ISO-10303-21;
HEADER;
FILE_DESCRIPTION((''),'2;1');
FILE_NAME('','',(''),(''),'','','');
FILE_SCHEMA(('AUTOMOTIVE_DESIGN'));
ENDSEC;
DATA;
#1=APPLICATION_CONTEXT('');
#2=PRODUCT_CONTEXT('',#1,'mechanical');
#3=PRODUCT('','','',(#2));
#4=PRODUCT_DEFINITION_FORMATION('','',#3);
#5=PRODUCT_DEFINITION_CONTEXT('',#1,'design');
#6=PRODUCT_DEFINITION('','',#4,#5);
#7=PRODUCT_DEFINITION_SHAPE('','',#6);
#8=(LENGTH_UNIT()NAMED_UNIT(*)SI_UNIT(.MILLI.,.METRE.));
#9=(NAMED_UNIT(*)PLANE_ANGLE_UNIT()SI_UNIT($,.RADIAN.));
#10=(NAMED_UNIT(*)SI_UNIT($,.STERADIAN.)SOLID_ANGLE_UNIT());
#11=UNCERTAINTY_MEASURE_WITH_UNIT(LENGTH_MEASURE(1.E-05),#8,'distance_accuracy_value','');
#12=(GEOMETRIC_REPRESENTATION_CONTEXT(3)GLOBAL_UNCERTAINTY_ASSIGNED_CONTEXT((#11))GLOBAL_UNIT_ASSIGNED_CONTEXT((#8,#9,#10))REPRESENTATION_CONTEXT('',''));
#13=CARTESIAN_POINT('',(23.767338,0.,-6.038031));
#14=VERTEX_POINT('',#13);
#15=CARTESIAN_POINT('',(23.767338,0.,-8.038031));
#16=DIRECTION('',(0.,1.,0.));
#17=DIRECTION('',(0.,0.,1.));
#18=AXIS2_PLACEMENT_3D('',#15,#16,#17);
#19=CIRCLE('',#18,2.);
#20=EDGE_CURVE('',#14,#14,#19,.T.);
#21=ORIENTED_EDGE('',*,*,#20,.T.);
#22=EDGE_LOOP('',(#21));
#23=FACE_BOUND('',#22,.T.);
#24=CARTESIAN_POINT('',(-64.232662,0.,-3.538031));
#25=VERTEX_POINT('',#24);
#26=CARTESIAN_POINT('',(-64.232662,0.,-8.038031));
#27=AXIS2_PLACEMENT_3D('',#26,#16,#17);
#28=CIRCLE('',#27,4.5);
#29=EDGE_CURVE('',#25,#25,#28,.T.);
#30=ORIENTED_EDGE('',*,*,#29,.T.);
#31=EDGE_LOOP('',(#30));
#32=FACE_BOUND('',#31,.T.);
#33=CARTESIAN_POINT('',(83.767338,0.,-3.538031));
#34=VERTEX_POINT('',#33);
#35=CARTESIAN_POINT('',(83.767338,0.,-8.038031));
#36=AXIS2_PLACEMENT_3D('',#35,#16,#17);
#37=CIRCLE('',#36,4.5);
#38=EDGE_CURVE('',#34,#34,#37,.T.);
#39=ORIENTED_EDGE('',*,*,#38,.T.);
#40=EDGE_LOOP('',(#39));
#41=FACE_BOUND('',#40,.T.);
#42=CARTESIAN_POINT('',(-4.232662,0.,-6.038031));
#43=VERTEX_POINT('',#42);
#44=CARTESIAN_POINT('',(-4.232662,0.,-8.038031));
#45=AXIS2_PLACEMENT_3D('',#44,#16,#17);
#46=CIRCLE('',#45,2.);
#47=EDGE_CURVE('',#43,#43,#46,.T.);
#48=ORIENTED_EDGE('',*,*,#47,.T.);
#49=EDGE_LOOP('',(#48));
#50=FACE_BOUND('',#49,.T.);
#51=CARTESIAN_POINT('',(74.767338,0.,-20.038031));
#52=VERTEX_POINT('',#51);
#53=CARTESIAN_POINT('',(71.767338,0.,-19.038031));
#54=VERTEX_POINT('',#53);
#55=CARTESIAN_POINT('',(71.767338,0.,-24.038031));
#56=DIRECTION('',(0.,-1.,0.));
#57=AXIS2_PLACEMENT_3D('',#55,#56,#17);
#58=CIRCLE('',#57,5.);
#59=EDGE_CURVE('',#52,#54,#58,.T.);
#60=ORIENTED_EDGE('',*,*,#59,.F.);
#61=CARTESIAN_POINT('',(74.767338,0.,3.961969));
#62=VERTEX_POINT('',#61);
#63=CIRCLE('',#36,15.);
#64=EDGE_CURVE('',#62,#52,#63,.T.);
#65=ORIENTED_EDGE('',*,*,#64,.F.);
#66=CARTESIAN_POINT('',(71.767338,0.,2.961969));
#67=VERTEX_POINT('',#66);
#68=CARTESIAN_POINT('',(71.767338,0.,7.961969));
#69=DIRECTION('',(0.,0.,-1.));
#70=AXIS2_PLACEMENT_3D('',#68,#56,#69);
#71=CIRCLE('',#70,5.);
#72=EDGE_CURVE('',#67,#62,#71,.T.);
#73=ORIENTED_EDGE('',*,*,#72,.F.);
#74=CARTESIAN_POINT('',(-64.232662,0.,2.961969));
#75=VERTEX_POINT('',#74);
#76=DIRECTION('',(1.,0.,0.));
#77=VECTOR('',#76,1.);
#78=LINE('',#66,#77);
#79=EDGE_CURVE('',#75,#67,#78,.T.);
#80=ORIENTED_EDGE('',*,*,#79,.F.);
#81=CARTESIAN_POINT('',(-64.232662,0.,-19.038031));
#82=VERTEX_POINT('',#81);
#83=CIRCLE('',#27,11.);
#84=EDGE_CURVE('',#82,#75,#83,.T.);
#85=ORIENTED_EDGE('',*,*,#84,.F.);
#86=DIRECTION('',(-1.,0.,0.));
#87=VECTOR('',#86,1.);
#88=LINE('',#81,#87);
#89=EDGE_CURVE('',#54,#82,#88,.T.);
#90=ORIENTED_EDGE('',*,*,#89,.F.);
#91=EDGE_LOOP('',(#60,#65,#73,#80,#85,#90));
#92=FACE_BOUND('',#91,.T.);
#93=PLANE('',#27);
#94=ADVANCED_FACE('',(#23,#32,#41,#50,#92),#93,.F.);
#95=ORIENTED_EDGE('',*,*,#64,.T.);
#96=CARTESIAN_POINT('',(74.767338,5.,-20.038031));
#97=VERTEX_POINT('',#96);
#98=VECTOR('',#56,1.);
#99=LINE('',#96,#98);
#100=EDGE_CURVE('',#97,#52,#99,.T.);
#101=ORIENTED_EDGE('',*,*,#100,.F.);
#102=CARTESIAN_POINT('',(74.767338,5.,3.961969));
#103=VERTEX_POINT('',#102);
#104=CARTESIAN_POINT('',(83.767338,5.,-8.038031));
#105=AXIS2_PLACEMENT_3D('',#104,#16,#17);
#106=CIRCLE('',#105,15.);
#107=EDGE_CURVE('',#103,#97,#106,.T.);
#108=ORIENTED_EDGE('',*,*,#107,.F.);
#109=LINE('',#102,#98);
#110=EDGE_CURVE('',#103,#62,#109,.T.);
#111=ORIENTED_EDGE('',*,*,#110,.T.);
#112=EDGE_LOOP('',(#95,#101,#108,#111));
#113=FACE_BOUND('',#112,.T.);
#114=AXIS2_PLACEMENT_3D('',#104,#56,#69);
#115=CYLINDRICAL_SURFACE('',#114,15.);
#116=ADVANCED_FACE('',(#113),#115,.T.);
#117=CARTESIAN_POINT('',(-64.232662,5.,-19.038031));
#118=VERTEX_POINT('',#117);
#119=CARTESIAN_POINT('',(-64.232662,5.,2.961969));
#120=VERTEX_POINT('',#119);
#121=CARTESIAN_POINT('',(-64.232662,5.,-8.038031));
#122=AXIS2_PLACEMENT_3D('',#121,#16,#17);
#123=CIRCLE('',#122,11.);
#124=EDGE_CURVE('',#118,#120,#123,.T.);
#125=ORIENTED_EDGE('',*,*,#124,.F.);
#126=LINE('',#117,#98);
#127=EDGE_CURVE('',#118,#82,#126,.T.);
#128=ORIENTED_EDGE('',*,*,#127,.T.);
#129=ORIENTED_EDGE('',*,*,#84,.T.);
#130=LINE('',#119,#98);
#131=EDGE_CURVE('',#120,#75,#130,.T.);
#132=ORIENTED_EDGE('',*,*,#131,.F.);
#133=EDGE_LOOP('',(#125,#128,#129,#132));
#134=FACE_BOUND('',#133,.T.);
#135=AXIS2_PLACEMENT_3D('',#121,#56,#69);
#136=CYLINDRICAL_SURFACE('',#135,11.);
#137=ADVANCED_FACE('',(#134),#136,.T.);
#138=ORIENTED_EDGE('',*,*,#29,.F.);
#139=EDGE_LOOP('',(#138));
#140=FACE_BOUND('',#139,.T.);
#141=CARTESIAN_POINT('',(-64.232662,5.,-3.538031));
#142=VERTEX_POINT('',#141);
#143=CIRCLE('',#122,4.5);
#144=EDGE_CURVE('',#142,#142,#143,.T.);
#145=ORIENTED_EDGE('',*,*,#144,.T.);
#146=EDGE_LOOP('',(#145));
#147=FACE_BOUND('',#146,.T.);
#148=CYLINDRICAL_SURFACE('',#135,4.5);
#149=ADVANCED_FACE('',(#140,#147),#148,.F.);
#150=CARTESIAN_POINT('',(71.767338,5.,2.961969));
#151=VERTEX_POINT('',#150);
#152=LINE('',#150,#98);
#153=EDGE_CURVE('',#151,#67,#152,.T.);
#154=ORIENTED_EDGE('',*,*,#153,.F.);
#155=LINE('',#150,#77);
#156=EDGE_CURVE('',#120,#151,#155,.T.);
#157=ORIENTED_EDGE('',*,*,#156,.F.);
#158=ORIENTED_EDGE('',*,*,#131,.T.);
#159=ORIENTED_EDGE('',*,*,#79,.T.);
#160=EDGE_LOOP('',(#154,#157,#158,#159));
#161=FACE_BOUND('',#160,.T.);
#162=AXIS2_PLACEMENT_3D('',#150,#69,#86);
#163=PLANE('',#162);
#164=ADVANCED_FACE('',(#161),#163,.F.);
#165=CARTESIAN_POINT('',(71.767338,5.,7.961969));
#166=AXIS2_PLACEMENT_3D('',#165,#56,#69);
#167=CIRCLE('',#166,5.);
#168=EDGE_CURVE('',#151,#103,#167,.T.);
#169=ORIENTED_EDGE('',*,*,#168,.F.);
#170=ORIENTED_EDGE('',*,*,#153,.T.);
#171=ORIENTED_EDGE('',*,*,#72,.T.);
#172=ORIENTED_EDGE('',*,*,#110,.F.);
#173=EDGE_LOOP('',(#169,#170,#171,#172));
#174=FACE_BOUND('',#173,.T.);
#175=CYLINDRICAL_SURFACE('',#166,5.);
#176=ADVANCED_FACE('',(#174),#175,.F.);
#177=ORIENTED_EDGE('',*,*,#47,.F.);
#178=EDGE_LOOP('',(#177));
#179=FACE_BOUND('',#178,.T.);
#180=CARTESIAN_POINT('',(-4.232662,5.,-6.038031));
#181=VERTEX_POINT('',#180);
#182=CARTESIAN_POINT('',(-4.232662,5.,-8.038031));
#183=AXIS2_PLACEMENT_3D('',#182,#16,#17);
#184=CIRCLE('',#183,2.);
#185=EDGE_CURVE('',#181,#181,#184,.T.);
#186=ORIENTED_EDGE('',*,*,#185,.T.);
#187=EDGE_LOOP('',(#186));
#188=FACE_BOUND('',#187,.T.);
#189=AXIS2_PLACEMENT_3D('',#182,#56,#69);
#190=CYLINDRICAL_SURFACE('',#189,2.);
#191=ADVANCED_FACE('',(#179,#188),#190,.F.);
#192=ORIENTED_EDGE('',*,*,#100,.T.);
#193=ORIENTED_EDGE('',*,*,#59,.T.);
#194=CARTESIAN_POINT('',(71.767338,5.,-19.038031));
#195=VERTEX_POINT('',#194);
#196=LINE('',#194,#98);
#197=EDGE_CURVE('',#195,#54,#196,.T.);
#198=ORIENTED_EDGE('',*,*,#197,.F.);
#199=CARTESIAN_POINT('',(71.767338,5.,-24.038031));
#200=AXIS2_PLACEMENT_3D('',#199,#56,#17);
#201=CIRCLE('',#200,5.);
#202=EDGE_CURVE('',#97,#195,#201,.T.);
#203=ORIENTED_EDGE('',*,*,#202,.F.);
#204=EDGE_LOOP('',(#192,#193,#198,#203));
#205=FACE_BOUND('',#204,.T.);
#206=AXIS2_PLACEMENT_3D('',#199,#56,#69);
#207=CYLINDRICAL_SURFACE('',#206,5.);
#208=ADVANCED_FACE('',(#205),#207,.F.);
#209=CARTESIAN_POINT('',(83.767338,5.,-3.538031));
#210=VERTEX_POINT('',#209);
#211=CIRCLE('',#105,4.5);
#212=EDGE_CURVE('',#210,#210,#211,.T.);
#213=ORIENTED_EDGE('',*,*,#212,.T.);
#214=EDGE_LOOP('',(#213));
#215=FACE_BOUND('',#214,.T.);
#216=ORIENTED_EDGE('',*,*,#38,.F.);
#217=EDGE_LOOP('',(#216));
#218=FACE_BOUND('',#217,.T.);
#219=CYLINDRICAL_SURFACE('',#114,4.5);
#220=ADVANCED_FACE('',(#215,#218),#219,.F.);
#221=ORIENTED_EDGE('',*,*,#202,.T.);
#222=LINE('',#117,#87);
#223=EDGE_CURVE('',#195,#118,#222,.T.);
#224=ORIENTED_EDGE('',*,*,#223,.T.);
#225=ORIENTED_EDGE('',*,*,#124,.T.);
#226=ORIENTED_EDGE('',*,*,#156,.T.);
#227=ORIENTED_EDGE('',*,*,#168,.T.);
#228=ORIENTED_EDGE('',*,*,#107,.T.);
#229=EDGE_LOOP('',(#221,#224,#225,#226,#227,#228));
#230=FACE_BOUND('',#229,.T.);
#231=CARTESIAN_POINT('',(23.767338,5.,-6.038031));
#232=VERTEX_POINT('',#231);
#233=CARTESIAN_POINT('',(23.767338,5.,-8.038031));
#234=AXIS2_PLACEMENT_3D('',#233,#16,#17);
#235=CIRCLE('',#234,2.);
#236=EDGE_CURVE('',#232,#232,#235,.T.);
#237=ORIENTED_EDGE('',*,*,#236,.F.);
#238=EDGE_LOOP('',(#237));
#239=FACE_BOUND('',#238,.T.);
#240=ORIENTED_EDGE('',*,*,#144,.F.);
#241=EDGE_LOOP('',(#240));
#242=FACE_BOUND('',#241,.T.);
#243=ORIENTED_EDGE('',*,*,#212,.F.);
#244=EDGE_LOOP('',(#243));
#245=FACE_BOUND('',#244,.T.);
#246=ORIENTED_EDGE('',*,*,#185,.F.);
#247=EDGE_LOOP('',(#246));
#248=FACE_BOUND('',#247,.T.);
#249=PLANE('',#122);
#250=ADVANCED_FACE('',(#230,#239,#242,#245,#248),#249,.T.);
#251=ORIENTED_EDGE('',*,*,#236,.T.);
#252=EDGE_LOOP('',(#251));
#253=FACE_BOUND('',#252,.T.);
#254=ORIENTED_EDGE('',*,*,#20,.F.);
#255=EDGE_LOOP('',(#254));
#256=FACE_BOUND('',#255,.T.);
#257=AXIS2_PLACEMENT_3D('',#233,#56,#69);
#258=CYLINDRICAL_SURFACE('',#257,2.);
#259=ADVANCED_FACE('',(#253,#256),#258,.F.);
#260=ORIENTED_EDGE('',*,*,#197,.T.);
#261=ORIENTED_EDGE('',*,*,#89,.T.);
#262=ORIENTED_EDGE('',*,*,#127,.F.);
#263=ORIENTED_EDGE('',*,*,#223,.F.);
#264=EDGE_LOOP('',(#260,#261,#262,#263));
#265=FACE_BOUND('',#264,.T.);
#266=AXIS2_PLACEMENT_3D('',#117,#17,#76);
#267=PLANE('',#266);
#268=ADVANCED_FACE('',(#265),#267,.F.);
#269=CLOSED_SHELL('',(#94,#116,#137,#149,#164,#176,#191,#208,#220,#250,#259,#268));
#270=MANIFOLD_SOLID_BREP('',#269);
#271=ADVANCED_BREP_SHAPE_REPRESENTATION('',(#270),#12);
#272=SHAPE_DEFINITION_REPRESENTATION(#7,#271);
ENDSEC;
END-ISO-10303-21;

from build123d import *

# Parameters (mm, degrees)
SKETCH_1_R      = 4.5
SKETCH_1_R_2    = 2
EXTRUDE_1_DEPTH = 5


with BuildPart() as part:
    # 草图1 → 凸台-拉伸1 (new body)
    with BuildSketch(Plane(origin=(0, 0, 0), x_dir=(1, 0, 0), z_dir=(0, 1, 0))):
        with BuildLine():
            Line((-64.232662192, 19.03803132), (71.767337808, 19.03803132))
            ThreePointArc((71.767337808, 19.03803132), (73.348476638, 19.29461483), (74.767337808, 20.03803132))
            ThreePointArc((74.767337808, 20.03803132), (98.767337808, 8.03803132), (74.767337808, -3.96196868))
            ThreePointArc((74.767337808, -3.96196868), (73.348476638, -3.21855219), (71.767337808, -2.96196868))
            Line((71.767337808, -2.96196868), (-64.232662192, -2.96196868))
            ThreePointArc((-64.232662192, -2.96196868), (-75.232662192, 8.03803132), (-64.232662192, 19.03803132))
        make_face()
        with Locations(Location((-64.232662192, 8.03803132, 0), (0, 0, 270))):
            Circle(SKETCH_1_R, mode=Mode.SUBTRACT)
        with Locations(Location((83.767337808, 8.03803132, 0), (0, 0, 270))):
            Circle(SKETCH_1_R, mode=Mode.SUBTRACT)
        with Locations(Location((-4.232662192, 8.03803132, 0), (0, 0, 270))):
            Circle(SKETCH_1_R_2, mode=Mode.SUBTRACT)
        with Locations(Location((23.767337808, 8.03803132, 0), (0, 0, 270))):
            Circle(SKETCH_1_R_2, mode=Mode.SUBTRACT)
    extrude(amount=EXTRUDE_1_DEPTH)


solid = part.part
